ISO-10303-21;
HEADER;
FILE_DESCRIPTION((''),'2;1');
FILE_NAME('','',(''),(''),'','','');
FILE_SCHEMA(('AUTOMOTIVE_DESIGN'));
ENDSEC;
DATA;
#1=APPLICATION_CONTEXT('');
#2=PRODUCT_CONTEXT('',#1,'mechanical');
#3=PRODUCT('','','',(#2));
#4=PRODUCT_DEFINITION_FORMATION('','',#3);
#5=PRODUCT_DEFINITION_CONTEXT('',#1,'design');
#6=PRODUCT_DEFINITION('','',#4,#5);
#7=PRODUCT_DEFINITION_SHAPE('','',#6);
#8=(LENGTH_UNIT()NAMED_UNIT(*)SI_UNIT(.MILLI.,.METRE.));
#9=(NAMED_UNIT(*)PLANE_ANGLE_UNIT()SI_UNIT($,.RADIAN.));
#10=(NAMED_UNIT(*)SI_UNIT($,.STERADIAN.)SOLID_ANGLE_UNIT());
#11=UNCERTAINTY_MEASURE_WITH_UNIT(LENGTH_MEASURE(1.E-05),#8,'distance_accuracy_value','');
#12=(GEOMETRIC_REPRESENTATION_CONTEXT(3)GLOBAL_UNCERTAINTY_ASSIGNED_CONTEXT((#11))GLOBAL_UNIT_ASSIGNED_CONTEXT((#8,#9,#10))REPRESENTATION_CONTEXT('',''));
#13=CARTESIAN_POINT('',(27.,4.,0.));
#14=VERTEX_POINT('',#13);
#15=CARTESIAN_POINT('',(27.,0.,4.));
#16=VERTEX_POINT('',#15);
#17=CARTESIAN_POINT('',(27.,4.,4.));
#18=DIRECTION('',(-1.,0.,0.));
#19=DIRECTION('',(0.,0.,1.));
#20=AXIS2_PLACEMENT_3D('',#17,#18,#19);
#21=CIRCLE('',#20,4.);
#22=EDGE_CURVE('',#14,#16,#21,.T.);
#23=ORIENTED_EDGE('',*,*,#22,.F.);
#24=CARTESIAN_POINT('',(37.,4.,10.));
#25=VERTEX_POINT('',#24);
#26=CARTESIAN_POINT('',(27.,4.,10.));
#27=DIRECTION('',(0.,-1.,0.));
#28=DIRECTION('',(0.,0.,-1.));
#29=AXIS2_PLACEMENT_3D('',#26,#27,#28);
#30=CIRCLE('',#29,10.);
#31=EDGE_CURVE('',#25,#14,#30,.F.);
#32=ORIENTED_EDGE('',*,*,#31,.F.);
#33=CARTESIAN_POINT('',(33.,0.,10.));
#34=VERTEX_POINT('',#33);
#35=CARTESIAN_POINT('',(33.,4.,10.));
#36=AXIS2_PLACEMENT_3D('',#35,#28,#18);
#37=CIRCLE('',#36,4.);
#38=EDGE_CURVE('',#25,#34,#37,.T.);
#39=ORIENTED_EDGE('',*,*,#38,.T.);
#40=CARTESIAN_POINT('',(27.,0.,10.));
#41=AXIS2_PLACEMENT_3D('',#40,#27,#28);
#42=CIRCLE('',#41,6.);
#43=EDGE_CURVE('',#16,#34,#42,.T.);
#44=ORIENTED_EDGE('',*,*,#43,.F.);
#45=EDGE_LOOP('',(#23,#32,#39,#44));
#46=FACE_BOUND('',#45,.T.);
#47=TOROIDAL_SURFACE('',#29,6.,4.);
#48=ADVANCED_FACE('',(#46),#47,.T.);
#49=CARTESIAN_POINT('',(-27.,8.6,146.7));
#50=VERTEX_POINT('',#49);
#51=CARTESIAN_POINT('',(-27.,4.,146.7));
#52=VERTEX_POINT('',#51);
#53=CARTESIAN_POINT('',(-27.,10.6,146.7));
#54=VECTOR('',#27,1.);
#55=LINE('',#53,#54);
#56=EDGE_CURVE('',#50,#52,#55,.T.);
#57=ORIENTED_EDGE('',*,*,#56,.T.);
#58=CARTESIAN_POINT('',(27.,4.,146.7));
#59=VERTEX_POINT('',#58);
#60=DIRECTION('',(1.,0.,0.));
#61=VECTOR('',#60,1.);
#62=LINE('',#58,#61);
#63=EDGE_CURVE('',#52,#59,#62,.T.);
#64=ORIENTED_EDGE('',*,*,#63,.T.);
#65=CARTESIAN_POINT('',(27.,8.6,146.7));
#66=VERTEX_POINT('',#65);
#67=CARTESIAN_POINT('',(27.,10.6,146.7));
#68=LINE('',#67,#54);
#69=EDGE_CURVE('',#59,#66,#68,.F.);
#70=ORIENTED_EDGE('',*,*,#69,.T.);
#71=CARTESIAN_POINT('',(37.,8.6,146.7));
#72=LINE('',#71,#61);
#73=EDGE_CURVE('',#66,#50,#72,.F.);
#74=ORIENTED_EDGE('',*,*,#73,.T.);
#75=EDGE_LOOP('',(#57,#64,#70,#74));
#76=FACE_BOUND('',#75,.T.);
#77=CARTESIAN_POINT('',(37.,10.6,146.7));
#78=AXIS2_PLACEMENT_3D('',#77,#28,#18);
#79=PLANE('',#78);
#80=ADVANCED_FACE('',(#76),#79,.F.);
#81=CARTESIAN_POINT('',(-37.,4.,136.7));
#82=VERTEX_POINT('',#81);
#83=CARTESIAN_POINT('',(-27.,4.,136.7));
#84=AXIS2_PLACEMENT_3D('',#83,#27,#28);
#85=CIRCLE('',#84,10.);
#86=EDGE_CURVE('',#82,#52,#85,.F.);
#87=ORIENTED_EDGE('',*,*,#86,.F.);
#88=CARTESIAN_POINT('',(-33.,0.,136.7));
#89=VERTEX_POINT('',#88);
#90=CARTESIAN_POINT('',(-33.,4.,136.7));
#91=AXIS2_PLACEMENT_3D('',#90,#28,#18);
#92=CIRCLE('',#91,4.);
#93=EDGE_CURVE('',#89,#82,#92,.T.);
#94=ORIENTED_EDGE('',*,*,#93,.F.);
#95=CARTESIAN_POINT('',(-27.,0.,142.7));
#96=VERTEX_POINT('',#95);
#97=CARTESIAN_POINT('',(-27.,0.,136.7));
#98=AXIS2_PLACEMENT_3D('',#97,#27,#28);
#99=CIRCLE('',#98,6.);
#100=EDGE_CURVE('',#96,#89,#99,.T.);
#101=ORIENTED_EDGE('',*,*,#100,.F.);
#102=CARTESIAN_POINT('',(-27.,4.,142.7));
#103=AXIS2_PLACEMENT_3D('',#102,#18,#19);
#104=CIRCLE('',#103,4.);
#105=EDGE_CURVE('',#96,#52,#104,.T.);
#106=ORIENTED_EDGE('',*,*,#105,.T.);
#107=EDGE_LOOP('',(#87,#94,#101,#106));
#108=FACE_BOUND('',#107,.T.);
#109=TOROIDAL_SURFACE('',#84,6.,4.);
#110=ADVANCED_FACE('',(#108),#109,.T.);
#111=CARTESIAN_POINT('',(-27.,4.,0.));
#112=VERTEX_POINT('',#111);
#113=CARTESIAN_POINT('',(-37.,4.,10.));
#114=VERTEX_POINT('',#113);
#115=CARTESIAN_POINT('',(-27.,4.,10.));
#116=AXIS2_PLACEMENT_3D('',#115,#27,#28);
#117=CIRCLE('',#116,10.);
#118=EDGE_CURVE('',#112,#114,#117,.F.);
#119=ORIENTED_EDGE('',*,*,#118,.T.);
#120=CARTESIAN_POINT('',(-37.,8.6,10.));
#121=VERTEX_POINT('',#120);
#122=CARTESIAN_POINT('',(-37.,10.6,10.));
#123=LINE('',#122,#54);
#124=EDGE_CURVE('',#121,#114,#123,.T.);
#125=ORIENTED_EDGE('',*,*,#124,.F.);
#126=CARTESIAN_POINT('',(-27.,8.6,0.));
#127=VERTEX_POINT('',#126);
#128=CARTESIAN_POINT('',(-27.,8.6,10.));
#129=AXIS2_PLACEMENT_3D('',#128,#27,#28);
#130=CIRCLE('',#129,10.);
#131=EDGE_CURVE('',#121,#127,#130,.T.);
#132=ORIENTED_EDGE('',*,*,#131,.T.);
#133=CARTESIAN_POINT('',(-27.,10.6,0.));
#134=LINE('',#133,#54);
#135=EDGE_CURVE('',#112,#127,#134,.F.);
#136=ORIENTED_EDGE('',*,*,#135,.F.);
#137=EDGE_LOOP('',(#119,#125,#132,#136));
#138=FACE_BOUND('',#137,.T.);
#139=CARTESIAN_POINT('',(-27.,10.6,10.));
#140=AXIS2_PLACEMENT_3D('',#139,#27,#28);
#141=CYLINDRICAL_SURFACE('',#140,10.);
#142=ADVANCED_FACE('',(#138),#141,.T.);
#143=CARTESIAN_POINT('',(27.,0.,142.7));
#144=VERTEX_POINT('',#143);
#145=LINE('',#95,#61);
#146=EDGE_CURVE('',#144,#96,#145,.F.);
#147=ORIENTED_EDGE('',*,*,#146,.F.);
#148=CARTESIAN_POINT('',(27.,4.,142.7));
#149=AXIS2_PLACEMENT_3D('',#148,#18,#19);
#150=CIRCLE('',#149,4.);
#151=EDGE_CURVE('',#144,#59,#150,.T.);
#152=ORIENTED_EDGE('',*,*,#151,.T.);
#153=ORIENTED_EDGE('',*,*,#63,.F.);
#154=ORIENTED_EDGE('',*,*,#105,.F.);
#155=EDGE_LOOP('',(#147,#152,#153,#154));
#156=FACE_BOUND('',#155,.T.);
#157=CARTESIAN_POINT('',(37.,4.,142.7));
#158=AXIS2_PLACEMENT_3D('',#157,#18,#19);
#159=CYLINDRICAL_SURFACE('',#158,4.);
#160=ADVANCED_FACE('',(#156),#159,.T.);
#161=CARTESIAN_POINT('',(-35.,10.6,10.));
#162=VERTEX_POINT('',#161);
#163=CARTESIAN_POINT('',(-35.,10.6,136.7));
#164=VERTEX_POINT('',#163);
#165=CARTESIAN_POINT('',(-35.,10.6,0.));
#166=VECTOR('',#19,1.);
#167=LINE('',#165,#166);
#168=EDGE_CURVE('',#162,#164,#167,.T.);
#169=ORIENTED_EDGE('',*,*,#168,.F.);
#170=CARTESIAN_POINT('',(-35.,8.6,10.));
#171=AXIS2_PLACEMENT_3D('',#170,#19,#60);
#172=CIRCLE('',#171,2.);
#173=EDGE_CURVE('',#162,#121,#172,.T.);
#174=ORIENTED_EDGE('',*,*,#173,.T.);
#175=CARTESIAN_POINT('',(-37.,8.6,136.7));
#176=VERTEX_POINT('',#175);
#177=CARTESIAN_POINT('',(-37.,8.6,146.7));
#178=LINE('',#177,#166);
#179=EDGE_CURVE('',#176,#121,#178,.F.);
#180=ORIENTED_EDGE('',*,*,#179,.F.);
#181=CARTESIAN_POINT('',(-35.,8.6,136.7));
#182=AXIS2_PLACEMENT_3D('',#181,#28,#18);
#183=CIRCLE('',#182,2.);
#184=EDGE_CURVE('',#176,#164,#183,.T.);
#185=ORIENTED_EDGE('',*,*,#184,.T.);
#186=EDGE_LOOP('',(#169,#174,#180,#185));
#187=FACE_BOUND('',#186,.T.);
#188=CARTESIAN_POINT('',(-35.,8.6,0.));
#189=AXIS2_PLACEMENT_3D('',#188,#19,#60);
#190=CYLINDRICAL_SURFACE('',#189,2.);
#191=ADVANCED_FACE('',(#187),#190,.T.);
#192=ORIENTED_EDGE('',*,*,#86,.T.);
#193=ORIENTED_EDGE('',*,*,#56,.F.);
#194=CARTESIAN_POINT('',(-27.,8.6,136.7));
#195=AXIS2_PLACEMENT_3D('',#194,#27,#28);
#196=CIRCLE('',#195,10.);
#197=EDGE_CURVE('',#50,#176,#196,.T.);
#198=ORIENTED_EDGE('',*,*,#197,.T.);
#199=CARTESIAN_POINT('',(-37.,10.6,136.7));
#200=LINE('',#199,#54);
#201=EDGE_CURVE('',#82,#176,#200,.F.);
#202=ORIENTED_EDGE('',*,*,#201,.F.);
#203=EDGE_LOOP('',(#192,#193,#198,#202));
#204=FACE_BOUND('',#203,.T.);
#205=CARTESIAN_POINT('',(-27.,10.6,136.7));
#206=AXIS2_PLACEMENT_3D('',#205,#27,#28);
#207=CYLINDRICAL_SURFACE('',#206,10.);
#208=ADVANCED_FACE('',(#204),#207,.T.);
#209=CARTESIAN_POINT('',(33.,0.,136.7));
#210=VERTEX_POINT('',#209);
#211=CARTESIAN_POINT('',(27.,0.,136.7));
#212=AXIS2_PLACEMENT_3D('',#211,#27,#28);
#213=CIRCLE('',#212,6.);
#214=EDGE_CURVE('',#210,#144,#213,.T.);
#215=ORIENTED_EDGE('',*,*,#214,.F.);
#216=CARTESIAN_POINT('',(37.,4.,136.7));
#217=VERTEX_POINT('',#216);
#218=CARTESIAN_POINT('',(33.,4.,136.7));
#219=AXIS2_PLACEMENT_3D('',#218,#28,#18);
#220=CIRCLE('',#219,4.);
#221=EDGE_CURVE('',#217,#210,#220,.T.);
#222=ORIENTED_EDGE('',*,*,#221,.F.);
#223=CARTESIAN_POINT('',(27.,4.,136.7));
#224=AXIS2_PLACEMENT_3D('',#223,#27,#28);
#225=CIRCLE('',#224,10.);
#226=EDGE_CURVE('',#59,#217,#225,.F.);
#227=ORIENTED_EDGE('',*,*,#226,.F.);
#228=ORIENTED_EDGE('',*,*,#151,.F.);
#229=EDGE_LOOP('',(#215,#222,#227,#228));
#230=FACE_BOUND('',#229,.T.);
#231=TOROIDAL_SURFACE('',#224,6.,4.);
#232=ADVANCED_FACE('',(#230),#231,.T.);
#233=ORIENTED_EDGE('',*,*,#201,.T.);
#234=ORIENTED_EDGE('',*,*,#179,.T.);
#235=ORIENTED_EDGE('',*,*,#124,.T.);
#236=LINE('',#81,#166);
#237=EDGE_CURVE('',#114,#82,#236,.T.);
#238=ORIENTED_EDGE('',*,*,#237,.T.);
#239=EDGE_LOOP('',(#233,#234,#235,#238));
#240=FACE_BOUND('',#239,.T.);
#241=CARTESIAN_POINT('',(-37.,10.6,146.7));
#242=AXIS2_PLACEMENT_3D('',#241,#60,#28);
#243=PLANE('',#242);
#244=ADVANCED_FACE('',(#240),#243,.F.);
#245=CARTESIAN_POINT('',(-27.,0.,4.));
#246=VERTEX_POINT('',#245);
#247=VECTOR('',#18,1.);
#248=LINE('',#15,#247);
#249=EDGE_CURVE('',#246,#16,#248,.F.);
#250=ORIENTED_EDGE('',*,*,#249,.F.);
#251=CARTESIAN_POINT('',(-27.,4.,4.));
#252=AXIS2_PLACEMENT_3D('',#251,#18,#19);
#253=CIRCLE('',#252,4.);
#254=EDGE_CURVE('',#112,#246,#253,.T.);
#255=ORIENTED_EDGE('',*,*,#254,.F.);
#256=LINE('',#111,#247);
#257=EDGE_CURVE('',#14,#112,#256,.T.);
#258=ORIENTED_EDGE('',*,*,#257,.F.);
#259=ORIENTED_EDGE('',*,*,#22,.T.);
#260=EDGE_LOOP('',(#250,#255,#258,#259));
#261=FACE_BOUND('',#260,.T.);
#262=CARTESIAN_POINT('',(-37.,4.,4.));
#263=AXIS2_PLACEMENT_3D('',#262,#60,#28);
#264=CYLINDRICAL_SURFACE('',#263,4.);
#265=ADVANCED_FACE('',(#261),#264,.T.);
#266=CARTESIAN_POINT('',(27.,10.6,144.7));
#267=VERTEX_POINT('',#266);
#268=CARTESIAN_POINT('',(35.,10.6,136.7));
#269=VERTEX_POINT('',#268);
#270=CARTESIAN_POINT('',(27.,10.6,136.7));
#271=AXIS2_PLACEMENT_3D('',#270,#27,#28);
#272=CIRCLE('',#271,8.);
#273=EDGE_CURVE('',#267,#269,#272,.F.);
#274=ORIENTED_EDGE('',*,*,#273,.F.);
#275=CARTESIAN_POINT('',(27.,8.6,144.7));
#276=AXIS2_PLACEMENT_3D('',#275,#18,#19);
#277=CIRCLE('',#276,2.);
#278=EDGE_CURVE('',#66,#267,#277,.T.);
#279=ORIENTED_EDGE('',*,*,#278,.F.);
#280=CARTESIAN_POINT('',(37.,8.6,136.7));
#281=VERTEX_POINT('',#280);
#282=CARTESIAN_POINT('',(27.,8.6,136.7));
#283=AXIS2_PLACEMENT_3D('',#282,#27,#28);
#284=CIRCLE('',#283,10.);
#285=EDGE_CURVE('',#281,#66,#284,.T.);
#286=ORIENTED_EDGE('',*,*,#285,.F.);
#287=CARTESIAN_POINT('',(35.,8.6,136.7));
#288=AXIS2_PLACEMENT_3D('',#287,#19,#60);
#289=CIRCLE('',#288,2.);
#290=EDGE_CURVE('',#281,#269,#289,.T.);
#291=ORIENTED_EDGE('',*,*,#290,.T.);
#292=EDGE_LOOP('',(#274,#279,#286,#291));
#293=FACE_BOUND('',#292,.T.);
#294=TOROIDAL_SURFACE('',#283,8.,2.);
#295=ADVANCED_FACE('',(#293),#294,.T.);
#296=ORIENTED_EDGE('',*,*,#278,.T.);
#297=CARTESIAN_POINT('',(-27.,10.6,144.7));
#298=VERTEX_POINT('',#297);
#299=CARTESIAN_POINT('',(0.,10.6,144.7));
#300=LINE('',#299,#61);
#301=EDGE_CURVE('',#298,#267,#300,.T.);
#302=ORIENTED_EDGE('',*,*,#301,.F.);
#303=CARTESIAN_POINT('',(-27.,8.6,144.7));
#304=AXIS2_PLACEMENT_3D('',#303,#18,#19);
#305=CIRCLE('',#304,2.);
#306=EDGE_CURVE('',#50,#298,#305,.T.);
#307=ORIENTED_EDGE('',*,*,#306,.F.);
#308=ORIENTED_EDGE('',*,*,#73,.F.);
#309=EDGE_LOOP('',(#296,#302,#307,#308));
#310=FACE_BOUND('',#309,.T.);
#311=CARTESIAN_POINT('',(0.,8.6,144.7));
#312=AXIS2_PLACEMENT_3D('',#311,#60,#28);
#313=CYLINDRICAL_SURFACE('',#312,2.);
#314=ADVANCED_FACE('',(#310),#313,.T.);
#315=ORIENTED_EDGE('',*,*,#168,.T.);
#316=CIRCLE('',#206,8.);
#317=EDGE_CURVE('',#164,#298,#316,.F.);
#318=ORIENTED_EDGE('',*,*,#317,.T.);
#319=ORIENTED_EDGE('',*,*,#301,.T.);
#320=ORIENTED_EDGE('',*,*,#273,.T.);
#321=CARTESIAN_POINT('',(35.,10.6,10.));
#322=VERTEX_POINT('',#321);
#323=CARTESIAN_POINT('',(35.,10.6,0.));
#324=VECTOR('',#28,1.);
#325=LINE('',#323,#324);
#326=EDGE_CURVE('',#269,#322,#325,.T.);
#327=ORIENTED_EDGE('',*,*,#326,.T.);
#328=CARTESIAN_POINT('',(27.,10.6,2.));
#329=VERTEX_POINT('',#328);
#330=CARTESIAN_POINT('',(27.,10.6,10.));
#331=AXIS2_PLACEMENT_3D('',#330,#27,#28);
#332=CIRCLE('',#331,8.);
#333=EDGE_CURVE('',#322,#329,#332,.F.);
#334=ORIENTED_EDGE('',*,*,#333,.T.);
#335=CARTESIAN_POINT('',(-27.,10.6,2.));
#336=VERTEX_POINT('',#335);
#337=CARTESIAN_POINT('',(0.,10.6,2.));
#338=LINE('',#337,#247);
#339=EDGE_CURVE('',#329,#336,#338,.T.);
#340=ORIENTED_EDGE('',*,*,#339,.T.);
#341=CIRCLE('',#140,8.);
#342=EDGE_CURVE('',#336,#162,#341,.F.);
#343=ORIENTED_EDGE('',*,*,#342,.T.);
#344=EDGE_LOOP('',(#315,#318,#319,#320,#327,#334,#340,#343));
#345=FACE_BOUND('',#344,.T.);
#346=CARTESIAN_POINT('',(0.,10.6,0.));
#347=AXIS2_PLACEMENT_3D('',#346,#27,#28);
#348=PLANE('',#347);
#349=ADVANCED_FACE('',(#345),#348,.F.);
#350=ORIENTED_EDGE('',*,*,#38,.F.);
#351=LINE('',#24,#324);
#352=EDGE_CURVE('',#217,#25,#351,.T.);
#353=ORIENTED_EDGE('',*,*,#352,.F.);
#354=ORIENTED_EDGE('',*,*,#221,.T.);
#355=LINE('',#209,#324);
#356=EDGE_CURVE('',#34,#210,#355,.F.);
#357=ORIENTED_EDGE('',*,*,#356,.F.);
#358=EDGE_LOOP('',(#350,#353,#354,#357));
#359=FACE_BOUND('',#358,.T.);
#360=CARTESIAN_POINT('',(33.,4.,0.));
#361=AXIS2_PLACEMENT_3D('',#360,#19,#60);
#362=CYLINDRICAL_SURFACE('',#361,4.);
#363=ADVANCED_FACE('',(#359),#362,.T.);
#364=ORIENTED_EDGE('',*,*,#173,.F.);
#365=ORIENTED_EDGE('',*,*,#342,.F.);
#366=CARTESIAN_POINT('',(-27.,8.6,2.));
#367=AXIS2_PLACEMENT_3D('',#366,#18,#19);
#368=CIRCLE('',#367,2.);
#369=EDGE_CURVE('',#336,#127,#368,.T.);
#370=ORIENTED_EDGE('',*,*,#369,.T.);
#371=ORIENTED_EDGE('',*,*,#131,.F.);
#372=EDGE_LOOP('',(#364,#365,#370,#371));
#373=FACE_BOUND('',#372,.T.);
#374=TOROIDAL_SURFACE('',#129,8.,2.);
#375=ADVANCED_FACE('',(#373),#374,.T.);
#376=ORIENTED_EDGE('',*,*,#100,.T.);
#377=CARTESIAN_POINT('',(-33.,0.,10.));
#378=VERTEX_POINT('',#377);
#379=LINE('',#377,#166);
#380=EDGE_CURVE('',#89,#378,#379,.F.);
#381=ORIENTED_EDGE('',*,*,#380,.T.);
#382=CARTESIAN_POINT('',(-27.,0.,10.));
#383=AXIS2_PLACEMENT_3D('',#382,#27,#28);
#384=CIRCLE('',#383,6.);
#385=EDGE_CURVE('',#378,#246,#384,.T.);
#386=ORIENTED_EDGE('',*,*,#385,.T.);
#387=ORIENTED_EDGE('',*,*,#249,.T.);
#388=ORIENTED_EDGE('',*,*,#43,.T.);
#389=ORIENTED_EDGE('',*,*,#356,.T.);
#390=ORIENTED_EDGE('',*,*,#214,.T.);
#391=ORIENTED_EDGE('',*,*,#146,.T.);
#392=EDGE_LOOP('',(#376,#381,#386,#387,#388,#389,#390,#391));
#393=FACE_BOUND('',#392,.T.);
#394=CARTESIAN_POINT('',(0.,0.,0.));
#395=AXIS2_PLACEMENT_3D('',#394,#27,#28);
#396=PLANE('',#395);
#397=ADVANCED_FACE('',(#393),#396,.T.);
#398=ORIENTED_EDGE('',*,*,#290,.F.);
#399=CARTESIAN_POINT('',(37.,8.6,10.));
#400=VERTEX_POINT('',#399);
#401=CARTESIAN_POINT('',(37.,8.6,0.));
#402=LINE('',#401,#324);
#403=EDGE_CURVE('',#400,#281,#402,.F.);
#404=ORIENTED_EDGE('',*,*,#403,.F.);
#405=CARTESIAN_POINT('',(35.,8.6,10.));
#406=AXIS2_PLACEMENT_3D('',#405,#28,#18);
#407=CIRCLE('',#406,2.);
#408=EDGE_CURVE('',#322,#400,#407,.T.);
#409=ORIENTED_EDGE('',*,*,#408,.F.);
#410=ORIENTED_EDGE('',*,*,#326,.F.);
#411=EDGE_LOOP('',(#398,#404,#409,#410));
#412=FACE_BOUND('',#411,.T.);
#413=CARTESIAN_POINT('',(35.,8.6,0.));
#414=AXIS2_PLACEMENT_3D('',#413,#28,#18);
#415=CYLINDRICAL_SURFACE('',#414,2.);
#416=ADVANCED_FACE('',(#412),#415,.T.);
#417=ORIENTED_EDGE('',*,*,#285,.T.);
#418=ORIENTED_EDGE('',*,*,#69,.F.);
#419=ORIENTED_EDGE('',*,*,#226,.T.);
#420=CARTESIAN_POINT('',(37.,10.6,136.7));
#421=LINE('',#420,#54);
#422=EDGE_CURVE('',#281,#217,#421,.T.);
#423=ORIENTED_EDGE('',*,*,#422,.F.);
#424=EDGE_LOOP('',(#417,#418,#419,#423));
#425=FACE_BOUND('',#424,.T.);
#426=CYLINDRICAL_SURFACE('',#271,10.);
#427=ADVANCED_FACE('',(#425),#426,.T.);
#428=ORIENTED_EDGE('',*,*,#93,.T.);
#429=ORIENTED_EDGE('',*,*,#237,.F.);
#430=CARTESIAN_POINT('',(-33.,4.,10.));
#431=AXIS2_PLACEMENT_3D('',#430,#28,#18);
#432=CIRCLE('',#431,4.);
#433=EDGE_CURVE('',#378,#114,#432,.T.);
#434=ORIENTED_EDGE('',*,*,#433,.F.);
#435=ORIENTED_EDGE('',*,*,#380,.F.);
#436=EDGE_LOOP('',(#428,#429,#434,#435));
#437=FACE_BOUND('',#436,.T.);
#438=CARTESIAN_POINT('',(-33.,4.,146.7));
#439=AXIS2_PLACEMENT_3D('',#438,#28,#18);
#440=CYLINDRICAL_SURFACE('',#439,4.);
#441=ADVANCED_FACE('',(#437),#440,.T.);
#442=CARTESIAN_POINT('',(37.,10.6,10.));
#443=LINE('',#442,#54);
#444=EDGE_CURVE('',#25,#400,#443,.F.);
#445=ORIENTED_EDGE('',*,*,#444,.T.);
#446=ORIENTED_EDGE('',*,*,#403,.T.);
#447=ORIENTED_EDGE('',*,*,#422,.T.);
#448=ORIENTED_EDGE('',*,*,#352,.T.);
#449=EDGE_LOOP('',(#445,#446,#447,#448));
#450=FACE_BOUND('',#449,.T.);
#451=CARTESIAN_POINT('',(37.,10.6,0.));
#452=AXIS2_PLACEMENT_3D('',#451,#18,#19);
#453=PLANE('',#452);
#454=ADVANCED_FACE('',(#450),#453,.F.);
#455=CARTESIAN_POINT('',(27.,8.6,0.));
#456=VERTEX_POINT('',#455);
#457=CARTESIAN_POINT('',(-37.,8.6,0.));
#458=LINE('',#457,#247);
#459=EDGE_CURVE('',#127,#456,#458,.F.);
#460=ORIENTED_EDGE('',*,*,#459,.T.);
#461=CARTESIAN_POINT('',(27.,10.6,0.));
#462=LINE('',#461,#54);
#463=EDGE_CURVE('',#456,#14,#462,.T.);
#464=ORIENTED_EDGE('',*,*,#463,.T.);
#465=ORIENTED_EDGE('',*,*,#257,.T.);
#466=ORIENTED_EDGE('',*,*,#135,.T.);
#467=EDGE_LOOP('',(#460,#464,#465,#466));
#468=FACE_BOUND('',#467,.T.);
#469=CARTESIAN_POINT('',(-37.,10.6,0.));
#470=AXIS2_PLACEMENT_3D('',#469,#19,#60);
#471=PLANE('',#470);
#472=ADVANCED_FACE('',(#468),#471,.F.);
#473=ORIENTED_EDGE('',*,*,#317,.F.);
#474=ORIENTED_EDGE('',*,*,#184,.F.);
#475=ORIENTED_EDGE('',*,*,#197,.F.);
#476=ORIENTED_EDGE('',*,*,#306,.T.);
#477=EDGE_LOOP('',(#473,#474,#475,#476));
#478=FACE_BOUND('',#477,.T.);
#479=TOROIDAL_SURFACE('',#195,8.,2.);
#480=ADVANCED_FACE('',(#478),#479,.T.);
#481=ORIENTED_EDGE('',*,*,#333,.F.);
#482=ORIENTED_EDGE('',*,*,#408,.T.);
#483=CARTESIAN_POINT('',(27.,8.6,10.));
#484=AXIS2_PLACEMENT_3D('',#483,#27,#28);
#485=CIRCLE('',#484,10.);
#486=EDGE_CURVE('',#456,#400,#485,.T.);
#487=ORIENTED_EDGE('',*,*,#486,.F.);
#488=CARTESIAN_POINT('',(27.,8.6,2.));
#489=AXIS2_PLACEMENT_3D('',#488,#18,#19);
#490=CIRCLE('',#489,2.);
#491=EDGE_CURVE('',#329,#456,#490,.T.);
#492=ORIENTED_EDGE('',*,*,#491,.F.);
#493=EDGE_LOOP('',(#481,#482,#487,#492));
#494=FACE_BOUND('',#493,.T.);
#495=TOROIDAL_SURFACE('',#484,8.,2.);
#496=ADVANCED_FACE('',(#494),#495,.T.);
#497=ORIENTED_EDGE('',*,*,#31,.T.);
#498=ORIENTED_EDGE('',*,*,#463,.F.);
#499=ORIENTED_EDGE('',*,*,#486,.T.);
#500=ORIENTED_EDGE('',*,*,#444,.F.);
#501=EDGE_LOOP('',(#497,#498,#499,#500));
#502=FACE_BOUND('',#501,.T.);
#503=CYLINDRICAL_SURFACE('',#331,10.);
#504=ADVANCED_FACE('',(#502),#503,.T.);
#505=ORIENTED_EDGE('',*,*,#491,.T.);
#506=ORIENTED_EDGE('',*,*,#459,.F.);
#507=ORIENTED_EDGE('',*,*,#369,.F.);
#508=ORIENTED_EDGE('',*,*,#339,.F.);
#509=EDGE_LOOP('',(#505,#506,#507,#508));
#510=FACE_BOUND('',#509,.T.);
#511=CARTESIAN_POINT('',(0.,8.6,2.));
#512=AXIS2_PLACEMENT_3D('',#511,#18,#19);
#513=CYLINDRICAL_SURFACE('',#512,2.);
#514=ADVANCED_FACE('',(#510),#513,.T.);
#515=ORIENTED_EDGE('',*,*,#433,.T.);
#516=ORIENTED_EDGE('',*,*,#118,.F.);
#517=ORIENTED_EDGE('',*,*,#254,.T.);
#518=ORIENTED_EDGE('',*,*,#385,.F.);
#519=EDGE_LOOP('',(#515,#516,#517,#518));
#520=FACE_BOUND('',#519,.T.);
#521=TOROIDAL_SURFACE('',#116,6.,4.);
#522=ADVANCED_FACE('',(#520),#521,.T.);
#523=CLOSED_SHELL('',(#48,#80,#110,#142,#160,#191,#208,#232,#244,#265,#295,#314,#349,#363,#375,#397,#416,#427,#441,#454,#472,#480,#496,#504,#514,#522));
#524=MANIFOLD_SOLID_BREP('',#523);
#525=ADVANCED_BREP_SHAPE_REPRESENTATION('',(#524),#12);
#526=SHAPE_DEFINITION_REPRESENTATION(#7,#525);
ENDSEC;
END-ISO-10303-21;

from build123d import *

# Parameters (mm, degrees)
SKETCH_1_W      = 74
SKETCH_1_H      = 146.7
EXTRUDE_1_DEPTH = 10.6
FILLET_1_R      = 10
FILLET_2_R      = 4
FILLET_3_R      = 2


with BuildPart() as part:
    # 草图1 → 凸台-拉伸1 (new body)
    with BuildSketch(Plane(origin=(0, 0, 0), x_dir=(1, 0, 0), z_dir=(0, 1, 0))):
        with Locations((0, -73.35)):
            Rectangle(SKETCH_1_W, SKETCH_1_H)
    extrude(amount=EXTRUDE_1_DEPTH)

    # 圆角1
    fillet_1_edges = [part.edges().sort_by_distance(p)[0] for p in [
        (-37, 5.3, 0),
        (37, 5.3, 0),
        (37, 5.3, 146.7),
        (-37, 5.3, 146.7),
    ]]
    fillet(fillet_1_edges, radius=FILLET_1_R)

    # 圆角2
    fillet_2_edges = [part.edges().sort_by_distance(p)[0] for p in [
        (37, 0, 73.35),
        (-37, 0, 73.35),
        (0, 0, 0),
        (0, 0, 146.7),
        (34.071067812, 0, 2.928932188),
        (-34.071067812, 0, 2.928932188),
        (-34.071067812, 0, 143.771067812),
        (34.071067812, 0, 143.771067812),
    ]]
    fillet(fillet_2_edges, radius=FILLET_2_R)

    # 圆角3
    fillet_3_edges = [part.edges().sort_by_distance(p)[0] for p in [
        (37, 10.6, 73.35),
        (0, 10.6, 146.7),
        (-37, 10.6, 73.35),
        (0, 10.6, 0),
        (34.071067812, 10.6, 2.928932188),
        (-34.071067812, 10.6, 2.928932188),
        (-34.071067812, 10.6, 143.771067812),
        (34.071067812, 10.6, 143.771067812),
    ]]
    fillet(fillet_3_edges, radius=FILLET_3_R)


solid = part.part
